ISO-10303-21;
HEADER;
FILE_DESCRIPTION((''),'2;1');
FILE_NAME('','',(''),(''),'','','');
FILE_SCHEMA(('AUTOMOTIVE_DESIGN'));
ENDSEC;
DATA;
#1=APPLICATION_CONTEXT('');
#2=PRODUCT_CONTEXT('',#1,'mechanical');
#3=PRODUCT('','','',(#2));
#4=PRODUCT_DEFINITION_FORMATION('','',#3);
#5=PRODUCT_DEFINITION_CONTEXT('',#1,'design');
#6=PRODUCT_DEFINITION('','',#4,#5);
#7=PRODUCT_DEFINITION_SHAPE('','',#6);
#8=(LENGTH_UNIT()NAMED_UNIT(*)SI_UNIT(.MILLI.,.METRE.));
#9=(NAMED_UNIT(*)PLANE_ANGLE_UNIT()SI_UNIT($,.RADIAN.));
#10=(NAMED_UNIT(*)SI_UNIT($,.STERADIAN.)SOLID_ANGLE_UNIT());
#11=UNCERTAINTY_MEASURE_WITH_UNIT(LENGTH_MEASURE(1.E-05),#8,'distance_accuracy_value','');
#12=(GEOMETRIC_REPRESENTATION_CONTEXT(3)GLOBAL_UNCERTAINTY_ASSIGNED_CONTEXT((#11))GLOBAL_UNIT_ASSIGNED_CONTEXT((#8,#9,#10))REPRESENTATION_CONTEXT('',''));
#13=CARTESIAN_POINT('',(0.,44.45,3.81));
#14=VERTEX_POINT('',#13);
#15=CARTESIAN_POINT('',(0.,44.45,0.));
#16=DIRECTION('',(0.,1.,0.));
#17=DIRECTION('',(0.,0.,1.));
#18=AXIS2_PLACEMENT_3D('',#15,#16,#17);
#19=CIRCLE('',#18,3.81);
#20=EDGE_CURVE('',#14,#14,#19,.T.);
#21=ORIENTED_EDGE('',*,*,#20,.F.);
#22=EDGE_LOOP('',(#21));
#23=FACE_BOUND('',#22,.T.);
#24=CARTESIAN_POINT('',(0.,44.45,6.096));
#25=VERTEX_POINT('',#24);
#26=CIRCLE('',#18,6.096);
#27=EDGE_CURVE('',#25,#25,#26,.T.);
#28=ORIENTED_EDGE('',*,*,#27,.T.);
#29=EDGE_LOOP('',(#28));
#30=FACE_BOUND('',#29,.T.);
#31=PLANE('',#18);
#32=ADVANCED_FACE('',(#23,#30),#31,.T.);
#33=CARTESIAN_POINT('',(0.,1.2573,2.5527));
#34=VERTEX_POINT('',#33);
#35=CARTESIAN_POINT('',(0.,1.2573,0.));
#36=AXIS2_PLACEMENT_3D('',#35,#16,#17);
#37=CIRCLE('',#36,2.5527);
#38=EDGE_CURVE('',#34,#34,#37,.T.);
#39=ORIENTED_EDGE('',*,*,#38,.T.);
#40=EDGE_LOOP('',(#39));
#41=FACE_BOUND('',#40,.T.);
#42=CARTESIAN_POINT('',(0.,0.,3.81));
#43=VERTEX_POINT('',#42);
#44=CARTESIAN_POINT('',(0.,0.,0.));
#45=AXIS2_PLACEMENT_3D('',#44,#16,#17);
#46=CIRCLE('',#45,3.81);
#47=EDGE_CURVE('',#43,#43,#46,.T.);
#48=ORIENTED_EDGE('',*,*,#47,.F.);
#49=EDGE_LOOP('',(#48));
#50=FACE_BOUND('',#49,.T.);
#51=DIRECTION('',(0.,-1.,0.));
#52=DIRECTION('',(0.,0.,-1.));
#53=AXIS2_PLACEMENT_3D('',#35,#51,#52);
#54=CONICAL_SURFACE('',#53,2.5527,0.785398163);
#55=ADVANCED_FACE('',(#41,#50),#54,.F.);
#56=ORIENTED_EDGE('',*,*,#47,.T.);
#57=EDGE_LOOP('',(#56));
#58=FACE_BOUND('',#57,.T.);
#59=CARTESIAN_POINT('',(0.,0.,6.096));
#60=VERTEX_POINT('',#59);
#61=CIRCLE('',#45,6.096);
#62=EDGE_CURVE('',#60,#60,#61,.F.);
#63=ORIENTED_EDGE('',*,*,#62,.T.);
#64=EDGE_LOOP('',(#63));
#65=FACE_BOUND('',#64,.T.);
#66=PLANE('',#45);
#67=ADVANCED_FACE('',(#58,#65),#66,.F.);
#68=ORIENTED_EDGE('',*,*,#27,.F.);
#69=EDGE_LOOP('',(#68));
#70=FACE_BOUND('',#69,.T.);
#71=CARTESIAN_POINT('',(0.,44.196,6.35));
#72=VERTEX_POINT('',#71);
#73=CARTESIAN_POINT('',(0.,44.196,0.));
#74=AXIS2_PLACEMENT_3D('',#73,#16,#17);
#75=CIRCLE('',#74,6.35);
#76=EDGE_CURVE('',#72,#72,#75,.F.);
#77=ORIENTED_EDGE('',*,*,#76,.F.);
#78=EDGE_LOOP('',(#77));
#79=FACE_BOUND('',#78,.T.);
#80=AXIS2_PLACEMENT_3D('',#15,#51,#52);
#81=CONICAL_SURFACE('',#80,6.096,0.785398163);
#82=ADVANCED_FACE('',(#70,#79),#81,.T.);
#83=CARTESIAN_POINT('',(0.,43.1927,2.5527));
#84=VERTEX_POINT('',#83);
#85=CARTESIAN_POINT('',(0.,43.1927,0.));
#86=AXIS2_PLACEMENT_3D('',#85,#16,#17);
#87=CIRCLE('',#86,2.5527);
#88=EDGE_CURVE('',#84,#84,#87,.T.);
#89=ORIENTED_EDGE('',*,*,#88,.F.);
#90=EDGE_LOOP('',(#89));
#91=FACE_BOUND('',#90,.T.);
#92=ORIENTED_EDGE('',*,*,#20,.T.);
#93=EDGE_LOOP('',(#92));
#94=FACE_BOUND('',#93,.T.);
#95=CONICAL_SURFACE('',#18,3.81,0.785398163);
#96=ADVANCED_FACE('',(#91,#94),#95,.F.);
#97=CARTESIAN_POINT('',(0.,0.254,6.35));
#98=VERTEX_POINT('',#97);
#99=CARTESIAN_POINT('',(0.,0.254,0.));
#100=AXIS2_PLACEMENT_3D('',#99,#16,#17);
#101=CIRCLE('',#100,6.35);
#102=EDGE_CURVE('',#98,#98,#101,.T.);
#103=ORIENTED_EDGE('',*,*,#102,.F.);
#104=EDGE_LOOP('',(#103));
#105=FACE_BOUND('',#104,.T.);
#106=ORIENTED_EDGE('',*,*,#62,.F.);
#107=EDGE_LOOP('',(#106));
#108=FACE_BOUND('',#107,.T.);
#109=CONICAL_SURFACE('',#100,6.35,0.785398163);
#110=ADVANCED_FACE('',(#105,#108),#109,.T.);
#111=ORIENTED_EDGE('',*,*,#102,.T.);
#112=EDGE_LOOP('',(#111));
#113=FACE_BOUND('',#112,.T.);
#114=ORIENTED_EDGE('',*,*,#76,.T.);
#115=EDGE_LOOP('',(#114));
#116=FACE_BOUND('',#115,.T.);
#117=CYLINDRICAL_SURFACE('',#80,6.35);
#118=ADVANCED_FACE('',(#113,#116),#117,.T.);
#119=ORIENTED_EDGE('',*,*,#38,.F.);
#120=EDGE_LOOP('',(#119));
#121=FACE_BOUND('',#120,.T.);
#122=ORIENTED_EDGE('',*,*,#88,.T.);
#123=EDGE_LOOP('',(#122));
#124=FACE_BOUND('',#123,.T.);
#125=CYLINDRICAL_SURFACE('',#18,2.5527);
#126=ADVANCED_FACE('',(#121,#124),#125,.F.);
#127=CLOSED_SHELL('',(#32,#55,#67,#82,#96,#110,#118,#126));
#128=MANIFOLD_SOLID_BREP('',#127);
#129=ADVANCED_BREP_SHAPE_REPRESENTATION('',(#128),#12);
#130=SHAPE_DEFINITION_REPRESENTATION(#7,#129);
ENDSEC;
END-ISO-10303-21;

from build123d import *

# Parameters (mm, degrees)
SKETCH1_R           = 6.35
BOSS_EXTRUDE1_DEPTH = 44.45
CHAMFER1_SIZE       = 0.254


with BuildPart() as part:
    # Sketch1 → Boss-Extrude1 (new body)
    with BuildSketch(Plane(origin=(0, 0, 0), x_dir=(1, 0, 0), z_dir=(0, 1, 0))):
        with Locations(Location((0, 0, 0), (0, 0, 270))):
            Circle(SKETCH1_R)
    extrude(amount=BOSS_EXTRUDE1_DEPTH)

    # Sketch3 → 1/4-20 Tapped Hole1 (revolve, cut)
    with BuildSketch(Plane(origin=(0, 44.45, 0), x_dir=(0, 0, 1), z_dir=(1, 0, 0))):
        Polygon((0, 0), (0, 44.45), (3.81, 44.45), (2.5527, 43.1927), (2.5527, 1.2573), (3.81, 0), align=None)
    revolve(axis=Axis((0, 50.8, 0), (0, -1, 0)), mode=Mode.SUBTRACT)

    # Chamfer1
    chamfer1_edges = [part.edges().sort_by_distance(p)[0] for p in [
        (0, 0, -6.35),
        (0, 44.45, -6.35),
    ]]
    chamfer(chamfer1_edges, length=CHAMFER1_SIZE)


solid = part.part
